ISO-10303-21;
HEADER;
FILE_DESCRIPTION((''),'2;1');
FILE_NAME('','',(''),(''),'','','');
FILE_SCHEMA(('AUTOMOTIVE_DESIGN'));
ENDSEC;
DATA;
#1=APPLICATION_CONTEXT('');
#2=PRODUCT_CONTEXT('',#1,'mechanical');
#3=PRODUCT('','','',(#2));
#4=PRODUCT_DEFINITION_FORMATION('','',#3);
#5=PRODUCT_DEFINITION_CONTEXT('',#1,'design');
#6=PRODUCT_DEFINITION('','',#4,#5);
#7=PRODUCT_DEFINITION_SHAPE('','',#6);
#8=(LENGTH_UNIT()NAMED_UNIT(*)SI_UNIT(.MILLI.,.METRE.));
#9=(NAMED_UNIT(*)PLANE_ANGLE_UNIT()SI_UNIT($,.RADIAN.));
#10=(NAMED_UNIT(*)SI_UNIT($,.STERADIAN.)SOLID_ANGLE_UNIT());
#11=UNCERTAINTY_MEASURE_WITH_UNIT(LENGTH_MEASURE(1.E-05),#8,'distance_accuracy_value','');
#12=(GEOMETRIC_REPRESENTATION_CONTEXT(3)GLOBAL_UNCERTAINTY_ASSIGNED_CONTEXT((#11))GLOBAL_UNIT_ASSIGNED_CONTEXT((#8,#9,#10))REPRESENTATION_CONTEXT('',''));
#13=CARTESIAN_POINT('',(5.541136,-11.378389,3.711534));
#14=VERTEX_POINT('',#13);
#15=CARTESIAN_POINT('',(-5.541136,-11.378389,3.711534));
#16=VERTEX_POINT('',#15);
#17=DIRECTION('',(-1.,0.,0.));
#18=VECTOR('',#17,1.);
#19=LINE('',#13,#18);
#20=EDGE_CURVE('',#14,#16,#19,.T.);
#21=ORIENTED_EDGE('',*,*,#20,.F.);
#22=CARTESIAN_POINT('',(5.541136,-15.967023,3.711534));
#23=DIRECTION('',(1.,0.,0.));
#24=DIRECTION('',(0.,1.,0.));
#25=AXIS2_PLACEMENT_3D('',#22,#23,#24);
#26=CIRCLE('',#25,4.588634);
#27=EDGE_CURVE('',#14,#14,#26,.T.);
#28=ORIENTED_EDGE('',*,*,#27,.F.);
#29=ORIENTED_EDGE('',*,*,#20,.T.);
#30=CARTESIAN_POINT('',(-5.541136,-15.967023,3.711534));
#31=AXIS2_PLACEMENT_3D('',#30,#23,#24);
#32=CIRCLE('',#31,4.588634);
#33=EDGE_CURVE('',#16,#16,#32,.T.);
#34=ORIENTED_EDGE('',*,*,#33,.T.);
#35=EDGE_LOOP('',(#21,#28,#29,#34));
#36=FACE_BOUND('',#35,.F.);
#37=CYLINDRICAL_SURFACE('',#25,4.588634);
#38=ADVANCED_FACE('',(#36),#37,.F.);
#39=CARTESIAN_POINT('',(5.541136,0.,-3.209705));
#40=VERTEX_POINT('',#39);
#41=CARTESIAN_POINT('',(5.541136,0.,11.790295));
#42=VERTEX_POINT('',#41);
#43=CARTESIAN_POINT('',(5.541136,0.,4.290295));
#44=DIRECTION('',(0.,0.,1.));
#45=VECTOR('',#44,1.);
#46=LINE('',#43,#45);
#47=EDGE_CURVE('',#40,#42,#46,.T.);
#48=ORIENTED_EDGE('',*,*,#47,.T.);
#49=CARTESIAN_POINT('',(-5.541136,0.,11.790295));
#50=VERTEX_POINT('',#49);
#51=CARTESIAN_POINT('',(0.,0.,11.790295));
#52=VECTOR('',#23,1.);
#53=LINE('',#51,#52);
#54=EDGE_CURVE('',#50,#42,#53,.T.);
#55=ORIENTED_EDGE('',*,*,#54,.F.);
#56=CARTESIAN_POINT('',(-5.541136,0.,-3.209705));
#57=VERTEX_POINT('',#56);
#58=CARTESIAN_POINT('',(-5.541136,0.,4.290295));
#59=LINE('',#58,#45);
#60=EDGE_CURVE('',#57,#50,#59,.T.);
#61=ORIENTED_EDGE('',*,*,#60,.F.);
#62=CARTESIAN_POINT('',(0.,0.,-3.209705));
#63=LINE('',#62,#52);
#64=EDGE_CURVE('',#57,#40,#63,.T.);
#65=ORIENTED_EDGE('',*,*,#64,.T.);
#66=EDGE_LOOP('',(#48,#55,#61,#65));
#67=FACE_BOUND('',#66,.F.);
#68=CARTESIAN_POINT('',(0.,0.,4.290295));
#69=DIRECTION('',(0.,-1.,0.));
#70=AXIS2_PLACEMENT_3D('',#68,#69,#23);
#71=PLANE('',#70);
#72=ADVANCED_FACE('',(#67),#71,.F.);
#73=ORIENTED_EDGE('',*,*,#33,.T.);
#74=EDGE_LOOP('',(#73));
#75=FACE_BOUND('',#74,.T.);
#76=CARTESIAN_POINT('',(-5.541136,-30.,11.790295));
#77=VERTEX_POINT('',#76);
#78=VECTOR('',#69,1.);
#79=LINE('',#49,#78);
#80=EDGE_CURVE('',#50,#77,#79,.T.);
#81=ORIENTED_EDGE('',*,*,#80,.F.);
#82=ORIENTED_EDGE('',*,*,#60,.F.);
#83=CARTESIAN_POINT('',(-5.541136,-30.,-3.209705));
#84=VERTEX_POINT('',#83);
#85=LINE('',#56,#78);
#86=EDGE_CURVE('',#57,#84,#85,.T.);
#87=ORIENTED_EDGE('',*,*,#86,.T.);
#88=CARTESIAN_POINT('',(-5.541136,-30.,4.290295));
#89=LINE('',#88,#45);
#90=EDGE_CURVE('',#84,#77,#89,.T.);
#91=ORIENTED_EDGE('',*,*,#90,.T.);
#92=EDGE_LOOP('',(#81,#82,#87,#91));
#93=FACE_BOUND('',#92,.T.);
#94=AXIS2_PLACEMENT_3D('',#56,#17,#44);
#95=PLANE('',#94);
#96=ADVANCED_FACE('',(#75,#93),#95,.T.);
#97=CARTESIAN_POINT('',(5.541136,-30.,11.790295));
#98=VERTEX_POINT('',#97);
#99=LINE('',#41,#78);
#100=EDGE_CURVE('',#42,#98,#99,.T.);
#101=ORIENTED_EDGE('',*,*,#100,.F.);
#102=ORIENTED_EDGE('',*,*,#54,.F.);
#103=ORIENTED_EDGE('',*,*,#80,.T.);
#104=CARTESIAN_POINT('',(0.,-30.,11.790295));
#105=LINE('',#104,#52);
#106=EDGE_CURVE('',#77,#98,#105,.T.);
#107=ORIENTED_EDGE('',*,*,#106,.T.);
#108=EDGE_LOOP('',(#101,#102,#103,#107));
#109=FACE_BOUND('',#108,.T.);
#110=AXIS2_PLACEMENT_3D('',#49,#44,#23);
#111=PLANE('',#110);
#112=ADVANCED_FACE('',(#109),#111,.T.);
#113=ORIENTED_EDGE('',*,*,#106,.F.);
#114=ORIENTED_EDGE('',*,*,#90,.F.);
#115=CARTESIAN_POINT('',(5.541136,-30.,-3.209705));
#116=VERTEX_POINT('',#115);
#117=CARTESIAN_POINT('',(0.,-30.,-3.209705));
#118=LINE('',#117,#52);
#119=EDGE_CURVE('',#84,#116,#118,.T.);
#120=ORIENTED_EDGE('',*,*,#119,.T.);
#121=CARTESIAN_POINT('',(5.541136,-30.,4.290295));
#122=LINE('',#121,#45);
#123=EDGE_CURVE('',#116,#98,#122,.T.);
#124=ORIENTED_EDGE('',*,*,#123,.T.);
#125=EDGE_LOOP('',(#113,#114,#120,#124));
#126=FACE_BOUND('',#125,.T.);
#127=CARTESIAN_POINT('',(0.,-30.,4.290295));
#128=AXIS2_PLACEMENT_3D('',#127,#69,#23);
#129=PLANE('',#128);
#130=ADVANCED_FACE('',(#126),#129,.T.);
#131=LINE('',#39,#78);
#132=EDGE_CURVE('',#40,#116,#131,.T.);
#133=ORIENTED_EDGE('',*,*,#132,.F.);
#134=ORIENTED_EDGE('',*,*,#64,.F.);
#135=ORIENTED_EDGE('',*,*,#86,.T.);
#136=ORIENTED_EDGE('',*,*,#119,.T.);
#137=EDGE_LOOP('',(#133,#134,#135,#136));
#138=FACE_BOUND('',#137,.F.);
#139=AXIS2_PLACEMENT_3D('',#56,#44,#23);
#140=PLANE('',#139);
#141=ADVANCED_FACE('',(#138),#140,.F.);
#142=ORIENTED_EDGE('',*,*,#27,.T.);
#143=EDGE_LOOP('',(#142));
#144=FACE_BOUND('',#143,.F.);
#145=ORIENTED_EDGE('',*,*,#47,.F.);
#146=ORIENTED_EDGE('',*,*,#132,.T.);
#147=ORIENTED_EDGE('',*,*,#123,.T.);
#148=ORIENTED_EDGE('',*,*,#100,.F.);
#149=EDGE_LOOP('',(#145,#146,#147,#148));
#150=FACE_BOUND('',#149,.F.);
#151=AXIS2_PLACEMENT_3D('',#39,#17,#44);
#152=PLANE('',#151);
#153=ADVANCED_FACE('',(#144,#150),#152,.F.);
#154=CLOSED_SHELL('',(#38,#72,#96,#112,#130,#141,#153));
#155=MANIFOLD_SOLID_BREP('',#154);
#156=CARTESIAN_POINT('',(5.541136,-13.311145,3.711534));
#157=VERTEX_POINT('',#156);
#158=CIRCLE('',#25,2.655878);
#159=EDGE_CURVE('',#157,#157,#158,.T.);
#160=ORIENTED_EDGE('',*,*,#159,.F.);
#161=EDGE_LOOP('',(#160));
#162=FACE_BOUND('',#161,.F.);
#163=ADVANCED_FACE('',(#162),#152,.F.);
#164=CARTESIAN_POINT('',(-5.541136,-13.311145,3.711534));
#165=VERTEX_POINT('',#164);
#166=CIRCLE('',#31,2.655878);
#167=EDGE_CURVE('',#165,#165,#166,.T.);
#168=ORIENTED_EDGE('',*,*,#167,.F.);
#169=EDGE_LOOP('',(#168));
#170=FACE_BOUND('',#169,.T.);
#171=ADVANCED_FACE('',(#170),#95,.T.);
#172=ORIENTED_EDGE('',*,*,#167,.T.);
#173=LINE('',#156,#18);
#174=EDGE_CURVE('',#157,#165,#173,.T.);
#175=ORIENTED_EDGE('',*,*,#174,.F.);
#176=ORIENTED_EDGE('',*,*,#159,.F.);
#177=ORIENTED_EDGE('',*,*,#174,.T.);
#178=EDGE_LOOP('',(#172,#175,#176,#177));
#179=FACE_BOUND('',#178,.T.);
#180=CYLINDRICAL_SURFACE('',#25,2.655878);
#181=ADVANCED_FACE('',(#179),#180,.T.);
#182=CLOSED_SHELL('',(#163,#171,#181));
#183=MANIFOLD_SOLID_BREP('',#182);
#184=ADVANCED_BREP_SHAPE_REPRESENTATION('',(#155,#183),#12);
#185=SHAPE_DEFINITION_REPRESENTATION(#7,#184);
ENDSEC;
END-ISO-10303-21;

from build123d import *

# Parameters (mm, degrees)
F0_W     = 11.082272
F0_H     = 15
F1_DEPTH = 30
F2_R     = 4.588634
F2_R_2   = 2.655878
F3_DEPTH = 11.083273


with BuildPart() as f1:
    # F0 (on Front) → F1 (new body)
    with BuildSketch(Plane.XZ):
        with Locations((0, 4.290295)):
            Rectangle(F0_W, F0_H)
    extrude(amount=F1_DEPTH)

    # F2 (on face) → F3 (cut, through all)
    with BuildSketch(Plane.YZ.offset(5.541136)):
        with Locations((-15.967023, 3.711534)):
            Circle(F2_R)
        with Locations((-15.967023, 3.711534)):
            Circle(F2_R_2, mode=Mode.SUBTRACT)
    extrude(amount=-F3_DEPTH, mode=Mode.SUBTRACT)


solid = f1.part
